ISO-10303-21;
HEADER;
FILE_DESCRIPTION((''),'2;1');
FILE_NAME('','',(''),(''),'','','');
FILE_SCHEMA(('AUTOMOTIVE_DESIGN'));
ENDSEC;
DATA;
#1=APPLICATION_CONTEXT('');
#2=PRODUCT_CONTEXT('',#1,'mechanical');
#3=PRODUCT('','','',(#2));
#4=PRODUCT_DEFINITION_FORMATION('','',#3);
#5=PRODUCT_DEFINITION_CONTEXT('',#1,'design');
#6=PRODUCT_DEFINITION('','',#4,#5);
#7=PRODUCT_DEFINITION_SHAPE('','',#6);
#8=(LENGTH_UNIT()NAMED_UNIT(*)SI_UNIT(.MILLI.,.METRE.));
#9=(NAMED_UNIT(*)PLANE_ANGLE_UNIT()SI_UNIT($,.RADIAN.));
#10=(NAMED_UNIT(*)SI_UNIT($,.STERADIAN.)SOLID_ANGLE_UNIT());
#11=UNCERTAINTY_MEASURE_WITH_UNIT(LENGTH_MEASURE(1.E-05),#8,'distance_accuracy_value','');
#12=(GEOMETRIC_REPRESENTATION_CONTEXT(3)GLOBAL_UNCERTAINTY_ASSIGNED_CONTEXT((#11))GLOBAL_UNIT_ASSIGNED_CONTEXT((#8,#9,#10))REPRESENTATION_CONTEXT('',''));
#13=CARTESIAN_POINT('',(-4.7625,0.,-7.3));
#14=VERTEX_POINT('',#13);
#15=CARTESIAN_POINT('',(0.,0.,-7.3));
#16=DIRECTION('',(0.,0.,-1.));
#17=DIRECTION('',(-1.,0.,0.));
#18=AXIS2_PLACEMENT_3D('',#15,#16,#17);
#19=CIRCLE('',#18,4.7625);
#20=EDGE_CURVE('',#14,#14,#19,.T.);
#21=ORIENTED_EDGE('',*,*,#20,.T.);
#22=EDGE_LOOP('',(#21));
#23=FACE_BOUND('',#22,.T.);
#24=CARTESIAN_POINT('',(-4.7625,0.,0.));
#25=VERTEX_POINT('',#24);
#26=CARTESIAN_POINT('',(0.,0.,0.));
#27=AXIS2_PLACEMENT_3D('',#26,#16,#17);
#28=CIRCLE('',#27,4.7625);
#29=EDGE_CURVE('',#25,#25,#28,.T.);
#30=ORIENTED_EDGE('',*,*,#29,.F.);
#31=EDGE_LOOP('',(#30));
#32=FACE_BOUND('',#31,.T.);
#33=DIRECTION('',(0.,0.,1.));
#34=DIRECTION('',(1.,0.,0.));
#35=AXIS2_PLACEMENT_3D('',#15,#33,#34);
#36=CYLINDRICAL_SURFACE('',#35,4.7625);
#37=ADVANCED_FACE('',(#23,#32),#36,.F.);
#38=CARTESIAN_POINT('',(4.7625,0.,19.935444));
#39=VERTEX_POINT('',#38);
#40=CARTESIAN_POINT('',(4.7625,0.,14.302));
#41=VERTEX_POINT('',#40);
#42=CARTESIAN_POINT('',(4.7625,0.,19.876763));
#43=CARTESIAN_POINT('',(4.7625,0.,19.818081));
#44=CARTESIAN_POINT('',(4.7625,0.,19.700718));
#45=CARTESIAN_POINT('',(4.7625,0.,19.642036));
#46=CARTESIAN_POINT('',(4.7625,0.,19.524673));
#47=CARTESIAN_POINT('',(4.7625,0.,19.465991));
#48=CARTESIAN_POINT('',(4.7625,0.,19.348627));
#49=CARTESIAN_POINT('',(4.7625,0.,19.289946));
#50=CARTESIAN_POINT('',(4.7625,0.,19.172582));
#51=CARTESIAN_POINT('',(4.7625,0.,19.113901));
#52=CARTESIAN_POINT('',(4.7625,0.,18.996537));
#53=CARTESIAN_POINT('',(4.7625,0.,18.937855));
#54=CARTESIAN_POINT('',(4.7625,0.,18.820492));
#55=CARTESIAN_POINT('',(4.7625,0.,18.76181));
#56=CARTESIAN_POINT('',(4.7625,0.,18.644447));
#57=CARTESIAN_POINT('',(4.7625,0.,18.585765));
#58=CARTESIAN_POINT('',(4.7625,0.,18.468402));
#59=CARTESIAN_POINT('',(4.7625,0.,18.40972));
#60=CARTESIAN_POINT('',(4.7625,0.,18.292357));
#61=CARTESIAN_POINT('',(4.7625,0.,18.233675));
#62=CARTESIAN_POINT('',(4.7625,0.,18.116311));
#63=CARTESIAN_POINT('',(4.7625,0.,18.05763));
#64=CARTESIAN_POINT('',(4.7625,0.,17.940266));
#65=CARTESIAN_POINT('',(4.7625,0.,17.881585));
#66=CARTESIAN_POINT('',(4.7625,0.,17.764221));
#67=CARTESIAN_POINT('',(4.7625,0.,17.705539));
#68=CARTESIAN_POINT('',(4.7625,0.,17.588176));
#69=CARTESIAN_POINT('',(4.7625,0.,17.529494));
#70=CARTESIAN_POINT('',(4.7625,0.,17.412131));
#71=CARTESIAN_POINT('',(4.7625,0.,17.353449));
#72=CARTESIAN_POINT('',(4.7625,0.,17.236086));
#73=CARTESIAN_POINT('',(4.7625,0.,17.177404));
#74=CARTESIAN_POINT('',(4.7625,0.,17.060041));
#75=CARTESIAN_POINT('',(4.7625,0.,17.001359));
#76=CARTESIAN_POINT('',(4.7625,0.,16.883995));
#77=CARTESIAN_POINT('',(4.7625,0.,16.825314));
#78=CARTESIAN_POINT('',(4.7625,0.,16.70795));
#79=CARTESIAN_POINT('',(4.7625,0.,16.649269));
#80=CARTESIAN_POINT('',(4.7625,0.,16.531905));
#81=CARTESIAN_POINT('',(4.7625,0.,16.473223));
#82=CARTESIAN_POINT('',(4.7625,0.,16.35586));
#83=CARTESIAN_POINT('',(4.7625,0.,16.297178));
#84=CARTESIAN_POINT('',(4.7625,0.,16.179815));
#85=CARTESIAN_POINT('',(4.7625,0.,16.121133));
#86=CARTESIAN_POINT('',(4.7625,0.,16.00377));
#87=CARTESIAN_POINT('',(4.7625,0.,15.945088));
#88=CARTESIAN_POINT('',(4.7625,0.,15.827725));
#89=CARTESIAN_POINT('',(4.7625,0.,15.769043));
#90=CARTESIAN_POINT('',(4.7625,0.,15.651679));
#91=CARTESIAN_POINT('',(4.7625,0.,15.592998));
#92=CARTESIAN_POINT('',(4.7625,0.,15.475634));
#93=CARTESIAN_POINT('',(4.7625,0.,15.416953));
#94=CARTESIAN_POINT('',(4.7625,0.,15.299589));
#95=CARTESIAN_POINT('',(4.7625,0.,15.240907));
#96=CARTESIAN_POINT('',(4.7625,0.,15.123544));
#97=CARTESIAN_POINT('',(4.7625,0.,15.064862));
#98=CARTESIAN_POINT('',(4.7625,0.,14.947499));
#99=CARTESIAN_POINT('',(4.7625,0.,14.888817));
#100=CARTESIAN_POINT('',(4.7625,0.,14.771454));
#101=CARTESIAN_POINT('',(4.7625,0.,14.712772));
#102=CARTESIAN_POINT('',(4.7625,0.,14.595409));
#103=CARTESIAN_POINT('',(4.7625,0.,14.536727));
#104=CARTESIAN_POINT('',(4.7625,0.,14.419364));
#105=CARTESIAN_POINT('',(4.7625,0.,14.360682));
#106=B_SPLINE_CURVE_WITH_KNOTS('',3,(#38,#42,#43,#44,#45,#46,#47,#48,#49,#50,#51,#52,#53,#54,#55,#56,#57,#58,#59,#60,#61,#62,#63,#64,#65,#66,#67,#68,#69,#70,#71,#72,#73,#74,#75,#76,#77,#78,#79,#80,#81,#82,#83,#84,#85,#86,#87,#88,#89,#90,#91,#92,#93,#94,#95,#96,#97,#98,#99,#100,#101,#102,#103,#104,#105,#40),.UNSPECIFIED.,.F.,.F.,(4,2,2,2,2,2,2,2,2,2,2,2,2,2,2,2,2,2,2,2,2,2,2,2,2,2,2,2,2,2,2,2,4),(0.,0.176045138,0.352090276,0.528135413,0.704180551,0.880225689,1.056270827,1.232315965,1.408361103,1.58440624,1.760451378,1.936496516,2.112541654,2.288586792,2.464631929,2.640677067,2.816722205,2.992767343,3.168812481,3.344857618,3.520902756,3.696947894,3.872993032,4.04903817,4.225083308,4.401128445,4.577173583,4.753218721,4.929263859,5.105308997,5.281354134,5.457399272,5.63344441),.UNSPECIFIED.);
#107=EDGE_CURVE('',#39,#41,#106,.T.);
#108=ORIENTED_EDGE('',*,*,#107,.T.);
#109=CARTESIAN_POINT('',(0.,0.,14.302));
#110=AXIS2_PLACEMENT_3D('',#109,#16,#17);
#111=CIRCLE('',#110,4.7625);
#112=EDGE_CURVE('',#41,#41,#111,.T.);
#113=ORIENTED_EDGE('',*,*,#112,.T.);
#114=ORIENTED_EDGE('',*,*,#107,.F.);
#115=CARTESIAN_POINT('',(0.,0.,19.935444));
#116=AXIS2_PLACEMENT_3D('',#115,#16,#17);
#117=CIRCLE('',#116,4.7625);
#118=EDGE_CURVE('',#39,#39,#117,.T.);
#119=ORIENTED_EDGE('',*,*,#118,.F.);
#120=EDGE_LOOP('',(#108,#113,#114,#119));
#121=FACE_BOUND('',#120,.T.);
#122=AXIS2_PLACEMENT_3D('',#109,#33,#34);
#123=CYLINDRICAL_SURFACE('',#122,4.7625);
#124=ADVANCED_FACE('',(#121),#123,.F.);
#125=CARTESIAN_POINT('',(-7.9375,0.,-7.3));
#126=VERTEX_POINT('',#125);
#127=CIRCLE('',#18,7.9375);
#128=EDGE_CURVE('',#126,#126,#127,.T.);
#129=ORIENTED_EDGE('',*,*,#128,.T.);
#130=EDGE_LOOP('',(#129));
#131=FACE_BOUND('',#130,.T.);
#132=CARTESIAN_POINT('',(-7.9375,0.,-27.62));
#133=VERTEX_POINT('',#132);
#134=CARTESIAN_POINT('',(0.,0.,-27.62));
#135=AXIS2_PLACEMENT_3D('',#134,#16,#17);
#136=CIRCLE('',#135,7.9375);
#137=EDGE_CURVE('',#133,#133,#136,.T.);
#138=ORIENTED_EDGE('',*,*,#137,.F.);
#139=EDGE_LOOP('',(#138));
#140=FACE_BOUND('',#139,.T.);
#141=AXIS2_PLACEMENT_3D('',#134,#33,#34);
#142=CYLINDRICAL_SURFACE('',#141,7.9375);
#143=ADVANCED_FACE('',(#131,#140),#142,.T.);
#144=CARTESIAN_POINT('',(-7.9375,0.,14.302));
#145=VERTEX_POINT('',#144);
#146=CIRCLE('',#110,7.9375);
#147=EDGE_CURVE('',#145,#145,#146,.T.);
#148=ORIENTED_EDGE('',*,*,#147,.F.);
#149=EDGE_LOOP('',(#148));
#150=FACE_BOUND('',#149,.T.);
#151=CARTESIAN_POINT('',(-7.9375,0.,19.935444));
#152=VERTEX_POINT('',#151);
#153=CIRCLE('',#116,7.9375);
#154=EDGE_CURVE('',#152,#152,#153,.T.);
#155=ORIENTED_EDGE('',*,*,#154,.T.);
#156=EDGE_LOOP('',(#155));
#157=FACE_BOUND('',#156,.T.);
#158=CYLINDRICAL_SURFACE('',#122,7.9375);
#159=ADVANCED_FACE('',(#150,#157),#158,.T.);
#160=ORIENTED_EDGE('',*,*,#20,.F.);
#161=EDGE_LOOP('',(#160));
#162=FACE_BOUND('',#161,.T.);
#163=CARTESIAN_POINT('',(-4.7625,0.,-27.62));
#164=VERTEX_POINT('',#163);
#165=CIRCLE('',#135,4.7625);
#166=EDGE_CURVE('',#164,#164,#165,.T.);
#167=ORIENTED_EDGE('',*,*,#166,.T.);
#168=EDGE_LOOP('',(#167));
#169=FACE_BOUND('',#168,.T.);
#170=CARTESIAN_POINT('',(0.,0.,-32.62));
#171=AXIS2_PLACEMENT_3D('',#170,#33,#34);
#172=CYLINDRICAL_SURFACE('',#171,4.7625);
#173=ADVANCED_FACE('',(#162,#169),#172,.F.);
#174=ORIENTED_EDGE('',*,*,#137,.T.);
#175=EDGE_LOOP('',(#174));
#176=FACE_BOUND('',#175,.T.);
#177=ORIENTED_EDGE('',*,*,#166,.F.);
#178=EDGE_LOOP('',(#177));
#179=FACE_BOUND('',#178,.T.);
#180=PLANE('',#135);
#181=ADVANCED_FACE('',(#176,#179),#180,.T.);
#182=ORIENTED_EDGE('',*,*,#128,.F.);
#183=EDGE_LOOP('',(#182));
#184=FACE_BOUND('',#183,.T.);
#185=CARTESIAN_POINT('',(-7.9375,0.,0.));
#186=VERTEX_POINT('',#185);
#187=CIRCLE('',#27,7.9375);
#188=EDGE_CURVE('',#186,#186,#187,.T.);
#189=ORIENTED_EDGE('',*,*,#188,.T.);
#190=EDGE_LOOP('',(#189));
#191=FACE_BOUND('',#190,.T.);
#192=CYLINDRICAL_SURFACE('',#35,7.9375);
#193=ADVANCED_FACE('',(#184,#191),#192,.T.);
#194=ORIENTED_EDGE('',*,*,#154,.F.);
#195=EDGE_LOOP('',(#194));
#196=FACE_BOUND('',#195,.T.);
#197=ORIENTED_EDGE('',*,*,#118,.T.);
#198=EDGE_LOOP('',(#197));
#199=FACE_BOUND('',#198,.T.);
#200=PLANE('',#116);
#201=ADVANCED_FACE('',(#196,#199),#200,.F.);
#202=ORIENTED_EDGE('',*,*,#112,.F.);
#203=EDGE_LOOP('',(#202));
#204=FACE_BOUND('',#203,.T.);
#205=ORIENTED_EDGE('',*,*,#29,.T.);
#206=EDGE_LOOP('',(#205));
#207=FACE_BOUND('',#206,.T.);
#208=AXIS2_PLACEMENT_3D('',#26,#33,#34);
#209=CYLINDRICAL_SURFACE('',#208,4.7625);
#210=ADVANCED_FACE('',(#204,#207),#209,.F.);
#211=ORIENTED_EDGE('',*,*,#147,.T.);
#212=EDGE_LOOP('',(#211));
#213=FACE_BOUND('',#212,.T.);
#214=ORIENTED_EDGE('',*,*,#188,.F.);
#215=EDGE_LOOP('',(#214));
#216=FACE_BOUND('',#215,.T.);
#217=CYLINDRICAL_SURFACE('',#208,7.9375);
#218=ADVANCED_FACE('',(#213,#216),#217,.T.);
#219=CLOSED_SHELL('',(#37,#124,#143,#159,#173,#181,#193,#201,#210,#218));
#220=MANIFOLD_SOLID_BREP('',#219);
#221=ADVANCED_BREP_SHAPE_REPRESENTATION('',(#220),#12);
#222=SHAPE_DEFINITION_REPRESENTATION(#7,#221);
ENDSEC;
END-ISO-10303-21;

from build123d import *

# Parameters (mm, degrees)
SWEEP1_PROFILE_R     = 7.9375
CUT_SWEEP1_PROFILE_R = 4.7625


with BuildPart() as part:
    # Sweep1: sweep along a curve in space
    with BuildLine() as sweep1_path:
        Line((0, 0, -7.3), (0, 0, -27.62))
        Line((0, 0, 0), (0, 0, -7.3))
        Line((0, 0, 14.30200009), (0, 0, 0))
        Line((0, 0, 14.30200009), (0, 0, 19.9354445))
    # Sweep1 profile (on start of the path) → Sweep1 (sweep)
    with BuildSketch(Plane(origin=(0, 0, 19.9354445), x_dir=(-1, 0, 0), z_dir=(0, 0, -1))):
        Circle(SWEEP1_PROFILE_R)
    sweep(path=sweep1_path.line)

    # Cut-Sweep1: sweep along a curve in space
    with BuildLine() as cut_sweep1_path:
        Line((0, 0, -7.3), (0, 0, -27.62))
        Line((0, 0, 0), (0, 0, -7.3))
        Line((0, 0, 14.30200009), (0, 0, 0))
        Line((0, 0, 14.30200009), (0, 0, 19.9354445))
    # Cut-Sweep1 profile (on start of the path) → Cut-Sweep1 (sweep, cut)
    with BuildSketch(Plane(origin=(0, 0, 19.9354445), x_dir=(-1, 0, 0), z_dir=(0, 0, -1))):
        Circle(CUT_SWEEP1_PROFILE_R)
    sweep(path=cut_sweep1_path.line, mode=Mode.SUBTRACT)


solid = part.part
